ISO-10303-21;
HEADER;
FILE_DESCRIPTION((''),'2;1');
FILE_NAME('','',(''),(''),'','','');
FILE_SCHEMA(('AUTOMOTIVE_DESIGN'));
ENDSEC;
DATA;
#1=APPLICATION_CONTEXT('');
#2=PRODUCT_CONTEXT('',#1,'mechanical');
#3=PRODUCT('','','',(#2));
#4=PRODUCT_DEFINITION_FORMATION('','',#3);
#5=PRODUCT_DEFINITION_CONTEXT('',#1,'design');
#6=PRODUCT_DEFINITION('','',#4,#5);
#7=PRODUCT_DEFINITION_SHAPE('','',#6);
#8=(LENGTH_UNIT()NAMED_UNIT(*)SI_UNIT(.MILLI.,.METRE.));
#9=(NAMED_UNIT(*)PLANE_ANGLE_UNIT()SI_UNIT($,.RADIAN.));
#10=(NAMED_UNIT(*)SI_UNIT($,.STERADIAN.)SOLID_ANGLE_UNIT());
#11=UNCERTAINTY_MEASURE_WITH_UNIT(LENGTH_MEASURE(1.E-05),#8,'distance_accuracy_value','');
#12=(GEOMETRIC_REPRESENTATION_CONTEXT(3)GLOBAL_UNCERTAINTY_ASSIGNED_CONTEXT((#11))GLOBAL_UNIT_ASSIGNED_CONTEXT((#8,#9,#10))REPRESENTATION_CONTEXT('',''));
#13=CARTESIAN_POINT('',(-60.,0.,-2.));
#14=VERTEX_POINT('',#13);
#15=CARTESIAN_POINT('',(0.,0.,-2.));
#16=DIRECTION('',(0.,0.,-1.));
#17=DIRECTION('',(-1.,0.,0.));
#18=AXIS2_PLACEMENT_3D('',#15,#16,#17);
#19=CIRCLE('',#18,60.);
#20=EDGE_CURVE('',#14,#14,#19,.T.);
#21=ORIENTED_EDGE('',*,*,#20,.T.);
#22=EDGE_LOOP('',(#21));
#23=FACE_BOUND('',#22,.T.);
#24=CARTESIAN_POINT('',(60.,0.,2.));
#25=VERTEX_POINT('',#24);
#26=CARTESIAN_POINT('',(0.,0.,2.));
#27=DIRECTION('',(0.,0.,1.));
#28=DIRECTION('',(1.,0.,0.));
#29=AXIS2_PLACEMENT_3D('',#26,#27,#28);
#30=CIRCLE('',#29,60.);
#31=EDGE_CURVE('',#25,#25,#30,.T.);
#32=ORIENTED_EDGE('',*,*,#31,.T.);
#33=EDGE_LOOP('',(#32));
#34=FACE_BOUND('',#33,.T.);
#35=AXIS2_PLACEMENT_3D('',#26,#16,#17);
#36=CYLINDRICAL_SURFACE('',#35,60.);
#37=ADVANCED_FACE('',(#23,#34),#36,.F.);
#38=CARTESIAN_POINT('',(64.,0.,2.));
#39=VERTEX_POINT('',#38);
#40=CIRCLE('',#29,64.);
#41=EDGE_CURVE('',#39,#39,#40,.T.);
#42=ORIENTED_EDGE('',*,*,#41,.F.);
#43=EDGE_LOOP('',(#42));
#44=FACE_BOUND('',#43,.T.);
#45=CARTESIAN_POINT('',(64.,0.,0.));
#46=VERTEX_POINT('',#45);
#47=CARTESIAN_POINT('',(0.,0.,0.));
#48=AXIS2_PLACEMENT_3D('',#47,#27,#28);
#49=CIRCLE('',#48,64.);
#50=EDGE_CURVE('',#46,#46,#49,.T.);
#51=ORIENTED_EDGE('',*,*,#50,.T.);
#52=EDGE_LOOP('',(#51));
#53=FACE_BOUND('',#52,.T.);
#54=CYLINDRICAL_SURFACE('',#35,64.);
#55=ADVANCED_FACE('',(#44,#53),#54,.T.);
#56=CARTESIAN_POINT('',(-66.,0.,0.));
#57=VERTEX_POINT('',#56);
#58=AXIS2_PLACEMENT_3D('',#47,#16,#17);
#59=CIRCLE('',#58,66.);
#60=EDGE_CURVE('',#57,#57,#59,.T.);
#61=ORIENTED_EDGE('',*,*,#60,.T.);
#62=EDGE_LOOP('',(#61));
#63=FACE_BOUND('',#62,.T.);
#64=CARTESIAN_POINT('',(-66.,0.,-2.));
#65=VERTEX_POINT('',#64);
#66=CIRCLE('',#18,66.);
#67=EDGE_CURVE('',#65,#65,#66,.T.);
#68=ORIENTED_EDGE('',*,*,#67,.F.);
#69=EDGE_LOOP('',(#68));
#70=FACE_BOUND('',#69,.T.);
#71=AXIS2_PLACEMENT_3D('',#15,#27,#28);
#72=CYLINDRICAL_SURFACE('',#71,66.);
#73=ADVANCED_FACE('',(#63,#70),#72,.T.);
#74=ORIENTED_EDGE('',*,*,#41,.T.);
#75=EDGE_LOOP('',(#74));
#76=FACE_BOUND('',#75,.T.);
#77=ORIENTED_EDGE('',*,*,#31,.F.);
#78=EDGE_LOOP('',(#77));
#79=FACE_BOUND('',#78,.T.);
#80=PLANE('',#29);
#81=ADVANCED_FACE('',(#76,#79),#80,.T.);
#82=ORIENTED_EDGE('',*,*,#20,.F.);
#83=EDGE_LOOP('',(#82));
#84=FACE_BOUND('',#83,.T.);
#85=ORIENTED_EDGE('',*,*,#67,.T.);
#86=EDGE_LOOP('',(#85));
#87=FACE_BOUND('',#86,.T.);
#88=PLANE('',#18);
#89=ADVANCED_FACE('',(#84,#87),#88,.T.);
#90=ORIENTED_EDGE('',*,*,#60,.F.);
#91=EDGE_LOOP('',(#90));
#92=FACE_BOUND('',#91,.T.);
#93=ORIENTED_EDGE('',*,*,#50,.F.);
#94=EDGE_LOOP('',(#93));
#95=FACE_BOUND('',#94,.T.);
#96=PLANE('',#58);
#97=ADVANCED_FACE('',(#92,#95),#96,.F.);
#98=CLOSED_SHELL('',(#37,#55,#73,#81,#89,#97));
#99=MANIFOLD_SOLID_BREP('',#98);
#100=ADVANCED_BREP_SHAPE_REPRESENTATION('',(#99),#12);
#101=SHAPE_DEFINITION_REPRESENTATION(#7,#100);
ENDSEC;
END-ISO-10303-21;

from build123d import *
from build123d.topology import SkipClean

# Parameters (mm, degrees)
SKETCH1_R           = 64
SKETCH1_R_2         = 60
BOSS_EXTRUDE1_DEPTH = 2
BOSS_EXTRUDE2_START = 2
SKETCH3_R           = 66
SKETCH3_R_2         = 60
BOSS_EXTRUDE2_DEPTH = 2


with BuildPart() as part:
    # Sketch1 → Boss-Extrude1 (new body)
    with BuildSketch(Plane.XY):
        Circle(SKETCH1_R)
        Circle(SKETCH1_R_2, mode=Mode.SUBTRACT)
    extrude(amount=BOSS_EXTRUDE1_DEPTH)

    # Sketch3 → Boss-Extrude2 (add)
    with SkipClean():  # the faces are left unmerged after this step: merging them gives an invalid solid
        with BuildSketch(Plane(origin=(0, 0, 0), x_dir=(-1, 0, 0), z_dir=(0, 0, -1)).offset(BOSS_EXTRUDE2_START)):
            Circle(SKETCH3_R)
            Circle(SKETCH3_R_2, mode=Mode.SUBTRACT)
        extrude(amount=-BOSS_EXTRUDE2_DEPTH)


solid = part.part
